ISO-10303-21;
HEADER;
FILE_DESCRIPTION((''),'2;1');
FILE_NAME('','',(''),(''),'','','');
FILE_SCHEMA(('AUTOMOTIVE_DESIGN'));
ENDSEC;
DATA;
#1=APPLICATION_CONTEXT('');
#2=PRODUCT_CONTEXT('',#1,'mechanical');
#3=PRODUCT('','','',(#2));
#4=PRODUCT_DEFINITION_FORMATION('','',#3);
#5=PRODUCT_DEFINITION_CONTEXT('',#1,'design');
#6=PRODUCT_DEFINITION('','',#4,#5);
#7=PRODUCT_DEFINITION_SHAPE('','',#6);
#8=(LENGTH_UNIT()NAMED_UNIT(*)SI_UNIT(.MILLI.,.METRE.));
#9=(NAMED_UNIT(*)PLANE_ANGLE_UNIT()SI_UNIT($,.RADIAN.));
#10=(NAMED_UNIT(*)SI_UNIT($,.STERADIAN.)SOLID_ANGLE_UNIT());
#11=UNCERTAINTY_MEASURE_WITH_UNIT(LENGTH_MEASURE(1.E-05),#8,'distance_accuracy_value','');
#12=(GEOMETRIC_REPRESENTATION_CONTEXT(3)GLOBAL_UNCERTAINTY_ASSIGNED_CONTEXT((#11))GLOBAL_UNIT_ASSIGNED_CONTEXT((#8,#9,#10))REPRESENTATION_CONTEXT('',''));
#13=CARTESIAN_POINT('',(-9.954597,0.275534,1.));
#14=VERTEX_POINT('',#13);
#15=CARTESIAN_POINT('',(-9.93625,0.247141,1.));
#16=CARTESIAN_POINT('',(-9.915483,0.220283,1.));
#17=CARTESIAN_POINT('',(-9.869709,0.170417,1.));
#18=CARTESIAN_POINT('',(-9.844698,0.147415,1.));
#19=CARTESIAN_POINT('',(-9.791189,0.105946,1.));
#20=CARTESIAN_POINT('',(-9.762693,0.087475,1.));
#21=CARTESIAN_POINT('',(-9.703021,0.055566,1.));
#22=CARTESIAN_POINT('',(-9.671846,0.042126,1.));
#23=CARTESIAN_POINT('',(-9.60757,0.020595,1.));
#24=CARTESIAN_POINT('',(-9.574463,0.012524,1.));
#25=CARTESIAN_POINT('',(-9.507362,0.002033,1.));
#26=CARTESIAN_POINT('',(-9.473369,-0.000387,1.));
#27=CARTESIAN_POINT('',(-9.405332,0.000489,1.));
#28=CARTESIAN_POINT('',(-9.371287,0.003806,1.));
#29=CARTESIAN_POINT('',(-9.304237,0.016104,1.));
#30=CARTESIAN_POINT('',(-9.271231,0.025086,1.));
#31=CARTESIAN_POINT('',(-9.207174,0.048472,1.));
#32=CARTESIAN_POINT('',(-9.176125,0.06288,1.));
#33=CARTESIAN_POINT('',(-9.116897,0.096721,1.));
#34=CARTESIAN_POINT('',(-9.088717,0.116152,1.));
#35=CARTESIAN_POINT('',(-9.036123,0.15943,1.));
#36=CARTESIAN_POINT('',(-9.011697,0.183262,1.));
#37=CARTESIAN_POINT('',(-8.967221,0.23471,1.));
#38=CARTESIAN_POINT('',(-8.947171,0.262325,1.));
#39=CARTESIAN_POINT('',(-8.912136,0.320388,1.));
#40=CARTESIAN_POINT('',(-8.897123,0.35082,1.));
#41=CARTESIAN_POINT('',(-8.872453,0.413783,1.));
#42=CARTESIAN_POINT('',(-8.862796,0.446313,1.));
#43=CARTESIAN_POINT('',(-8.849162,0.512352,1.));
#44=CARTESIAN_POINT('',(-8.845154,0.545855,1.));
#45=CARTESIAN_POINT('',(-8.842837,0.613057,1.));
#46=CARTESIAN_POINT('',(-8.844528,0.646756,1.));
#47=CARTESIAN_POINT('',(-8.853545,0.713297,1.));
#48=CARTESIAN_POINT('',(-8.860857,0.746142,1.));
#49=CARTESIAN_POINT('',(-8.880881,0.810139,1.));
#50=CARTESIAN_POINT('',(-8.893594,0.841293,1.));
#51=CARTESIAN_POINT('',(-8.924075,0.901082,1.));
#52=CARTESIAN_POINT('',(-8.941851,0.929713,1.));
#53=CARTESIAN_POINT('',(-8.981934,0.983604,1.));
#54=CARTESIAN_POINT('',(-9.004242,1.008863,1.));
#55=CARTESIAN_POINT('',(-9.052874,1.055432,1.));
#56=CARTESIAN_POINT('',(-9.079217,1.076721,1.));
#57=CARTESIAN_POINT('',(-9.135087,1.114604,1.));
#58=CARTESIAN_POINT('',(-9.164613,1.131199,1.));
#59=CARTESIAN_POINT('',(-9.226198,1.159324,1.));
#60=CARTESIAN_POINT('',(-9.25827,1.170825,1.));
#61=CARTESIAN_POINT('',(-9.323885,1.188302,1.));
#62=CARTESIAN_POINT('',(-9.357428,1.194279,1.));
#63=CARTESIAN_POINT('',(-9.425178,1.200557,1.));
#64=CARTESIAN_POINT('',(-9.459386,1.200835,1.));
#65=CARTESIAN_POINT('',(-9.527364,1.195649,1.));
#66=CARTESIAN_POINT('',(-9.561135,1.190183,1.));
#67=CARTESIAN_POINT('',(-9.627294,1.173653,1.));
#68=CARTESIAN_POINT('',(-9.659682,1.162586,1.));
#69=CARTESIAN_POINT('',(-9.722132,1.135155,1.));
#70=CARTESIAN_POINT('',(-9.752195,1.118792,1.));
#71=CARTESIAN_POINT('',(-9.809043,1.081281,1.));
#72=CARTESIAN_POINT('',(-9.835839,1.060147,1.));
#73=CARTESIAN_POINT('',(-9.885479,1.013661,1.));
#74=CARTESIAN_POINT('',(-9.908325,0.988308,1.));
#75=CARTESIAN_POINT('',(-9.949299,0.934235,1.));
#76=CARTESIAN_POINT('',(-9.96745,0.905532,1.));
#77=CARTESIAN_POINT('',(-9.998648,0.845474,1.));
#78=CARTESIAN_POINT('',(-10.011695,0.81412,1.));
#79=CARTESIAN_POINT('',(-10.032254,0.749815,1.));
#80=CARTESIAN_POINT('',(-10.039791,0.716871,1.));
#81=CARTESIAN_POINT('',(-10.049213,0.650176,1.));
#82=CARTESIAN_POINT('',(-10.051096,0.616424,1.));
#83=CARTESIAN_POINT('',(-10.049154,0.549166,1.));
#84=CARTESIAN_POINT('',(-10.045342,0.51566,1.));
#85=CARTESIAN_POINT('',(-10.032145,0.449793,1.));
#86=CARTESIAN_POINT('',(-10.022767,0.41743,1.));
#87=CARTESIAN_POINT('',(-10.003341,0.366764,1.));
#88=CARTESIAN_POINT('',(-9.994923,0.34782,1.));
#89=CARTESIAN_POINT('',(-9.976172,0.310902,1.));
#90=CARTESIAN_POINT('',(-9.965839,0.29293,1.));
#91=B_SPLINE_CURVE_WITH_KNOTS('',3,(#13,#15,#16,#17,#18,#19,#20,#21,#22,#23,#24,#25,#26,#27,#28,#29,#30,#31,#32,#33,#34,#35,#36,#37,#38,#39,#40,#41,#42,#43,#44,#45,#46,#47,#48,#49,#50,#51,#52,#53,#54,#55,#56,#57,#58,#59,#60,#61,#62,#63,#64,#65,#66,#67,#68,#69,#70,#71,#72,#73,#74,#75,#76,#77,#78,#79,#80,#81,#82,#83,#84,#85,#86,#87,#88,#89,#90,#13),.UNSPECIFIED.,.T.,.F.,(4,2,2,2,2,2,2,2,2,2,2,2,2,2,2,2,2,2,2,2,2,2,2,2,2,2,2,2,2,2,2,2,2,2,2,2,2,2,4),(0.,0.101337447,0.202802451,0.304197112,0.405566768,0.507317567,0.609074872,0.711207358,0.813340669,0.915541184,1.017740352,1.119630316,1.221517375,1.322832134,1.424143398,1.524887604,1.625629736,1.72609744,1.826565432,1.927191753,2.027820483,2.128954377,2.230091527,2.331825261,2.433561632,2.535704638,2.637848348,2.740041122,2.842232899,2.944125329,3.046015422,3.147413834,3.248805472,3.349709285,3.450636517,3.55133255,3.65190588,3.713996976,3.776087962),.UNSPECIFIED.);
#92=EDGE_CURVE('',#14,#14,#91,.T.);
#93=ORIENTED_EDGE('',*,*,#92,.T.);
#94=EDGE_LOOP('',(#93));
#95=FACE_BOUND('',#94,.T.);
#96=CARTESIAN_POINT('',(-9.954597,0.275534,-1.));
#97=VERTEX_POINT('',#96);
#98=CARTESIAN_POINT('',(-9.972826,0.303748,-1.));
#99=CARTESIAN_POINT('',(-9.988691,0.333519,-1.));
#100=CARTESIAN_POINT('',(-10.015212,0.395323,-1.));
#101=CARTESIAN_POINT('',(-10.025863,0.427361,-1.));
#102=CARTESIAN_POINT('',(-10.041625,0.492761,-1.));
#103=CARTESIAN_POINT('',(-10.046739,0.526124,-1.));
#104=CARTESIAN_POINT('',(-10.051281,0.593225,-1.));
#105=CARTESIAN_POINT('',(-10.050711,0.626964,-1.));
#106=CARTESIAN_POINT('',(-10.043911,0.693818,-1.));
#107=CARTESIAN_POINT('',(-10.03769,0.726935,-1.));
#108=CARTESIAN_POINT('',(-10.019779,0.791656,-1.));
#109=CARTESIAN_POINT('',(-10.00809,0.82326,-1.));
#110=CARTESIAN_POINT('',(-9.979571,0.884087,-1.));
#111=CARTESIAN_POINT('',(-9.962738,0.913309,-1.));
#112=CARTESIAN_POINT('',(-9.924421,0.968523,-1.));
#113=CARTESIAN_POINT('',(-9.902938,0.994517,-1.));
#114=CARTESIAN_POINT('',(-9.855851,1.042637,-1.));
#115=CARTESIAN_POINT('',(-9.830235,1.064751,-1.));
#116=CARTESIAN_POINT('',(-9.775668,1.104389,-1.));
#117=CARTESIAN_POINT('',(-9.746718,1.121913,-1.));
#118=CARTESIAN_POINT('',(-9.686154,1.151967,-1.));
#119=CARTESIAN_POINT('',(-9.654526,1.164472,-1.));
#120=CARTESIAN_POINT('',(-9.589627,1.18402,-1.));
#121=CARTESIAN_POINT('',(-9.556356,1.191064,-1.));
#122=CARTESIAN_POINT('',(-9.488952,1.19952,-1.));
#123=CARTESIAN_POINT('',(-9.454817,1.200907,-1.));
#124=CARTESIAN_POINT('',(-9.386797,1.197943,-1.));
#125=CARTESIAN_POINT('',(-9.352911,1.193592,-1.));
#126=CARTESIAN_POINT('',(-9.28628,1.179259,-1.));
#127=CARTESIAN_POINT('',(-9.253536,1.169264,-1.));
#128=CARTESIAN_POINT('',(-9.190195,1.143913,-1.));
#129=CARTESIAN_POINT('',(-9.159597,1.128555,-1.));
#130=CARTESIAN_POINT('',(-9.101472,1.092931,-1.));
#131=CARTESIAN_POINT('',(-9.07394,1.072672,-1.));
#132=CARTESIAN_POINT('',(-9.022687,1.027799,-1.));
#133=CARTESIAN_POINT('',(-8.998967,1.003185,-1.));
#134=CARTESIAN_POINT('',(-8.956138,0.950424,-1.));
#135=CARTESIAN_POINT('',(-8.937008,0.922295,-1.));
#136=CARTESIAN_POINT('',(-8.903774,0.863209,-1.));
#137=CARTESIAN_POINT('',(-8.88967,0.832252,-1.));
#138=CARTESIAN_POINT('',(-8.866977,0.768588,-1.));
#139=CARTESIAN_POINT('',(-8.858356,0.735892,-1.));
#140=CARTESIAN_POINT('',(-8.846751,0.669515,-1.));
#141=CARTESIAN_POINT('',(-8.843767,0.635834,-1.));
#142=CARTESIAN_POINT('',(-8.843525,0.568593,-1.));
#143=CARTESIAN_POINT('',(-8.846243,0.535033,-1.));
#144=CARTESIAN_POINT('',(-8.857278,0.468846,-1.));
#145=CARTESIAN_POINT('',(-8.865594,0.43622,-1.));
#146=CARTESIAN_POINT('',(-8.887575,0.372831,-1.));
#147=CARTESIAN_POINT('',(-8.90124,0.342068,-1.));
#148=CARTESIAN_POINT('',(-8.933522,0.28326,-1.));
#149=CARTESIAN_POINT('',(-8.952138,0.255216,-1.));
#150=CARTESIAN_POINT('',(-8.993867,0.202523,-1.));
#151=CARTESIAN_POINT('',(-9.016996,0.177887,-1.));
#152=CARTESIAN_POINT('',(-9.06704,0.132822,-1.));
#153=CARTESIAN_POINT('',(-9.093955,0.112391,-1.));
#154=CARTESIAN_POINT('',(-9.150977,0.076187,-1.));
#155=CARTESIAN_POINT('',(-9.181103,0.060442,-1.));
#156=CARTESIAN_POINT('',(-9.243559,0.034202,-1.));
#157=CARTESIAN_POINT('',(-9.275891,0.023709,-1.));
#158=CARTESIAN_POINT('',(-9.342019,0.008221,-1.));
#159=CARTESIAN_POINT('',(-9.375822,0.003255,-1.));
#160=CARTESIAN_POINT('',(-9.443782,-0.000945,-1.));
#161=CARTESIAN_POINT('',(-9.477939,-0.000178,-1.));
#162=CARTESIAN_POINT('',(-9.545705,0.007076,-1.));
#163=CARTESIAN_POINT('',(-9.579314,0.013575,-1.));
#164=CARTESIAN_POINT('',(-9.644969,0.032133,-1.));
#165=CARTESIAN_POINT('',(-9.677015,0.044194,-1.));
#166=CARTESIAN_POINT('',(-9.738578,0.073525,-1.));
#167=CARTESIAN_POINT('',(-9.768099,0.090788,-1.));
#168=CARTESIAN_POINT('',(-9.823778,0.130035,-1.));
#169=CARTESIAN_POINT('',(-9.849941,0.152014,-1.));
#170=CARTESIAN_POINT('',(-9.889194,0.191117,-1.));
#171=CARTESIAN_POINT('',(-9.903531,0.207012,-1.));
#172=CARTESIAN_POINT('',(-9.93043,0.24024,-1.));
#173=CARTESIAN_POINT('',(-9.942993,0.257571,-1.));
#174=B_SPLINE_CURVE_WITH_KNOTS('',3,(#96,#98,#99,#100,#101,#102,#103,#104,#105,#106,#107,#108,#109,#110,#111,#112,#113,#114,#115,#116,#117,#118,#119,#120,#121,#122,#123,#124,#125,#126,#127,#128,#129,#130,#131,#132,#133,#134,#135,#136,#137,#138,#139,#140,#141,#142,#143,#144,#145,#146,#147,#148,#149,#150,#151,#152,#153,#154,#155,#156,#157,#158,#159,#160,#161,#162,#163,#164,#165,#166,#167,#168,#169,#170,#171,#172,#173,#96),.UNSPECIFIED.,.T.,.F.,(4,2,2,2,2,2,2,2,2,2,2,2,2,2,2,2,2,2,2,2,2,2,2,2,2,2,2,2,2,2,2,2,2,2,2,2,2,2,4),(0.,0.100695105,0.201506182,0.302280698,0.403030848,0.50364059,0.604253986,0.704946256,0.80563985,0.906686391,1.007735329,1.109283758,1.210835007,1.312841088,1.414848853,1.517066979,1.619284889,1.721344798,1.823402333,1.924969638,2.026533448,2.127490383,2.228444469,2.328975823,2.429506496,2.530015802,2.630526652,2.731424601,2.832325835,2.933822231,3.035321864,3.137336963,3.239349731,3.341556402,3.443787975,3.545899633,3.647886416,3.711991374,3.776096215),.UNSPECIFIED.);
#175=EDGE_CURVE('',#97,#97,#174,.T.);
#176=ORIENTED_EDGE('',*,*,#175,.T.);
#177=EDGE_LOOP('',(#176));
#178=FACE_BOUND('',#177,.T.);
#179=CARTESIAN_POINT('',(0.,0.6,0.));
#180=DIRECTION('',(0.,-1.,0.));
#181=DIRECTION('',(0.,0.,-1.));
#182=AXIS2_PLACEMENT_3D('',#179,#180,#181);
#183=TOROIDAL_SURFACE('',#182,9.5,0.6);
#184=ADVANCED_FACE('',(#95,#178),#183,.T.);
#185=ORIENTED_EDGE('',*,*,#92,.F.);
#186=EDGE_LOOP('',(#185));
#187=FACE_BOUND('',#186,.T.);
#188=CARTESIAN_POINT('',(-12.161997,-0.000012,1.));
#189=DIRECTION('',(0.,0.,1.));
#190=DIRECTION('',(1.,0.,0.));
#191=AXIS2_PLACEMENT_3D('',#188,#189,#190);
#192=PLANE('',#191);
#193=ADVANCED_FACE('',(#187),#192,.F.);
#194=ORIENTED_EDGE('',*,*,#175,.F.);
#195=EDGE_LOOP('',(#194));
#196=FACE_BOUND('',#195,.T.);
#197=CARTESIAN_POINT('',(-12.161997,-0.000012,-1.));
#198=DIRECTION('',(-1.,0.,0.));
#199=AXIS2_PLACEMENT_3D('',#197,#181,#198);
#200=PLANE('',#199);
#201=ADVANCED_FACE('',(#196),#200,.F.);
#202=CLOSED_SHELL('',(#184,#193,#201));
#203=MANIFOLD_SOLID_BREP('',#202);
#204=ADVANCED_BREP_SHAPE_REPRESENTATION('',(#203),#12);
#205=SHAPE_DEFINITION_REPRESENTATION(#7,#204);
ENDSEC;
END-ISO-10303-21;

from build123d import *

# Parameters (mm, degrees)
SKETCH_1_R               = 0.6
CUT_EXTRUDE_1_DEPTH      = 15.333876108
CUT_EXTRUDE_1_DEPTH_BACK = 15.333876108
SKETCH_2_W               = 4.994748993
SKETCH_2_H               = 2


with BuildPart() as part:
    # Эскиз1 → Повернуть1 (revolve)
    with BuildSketch(Plane.XY, mode=Mode.PRIVATE) as revolve_1_sk:
        with Locations((-9.5, 0.6)):
            Circle(SKETCH_1_R)
    revolve(revolve_1_sk.sketch.rotate(Axis((0, 0, 0), (0, 1, 0)), 270), axis=Axis((0, 0, 0), (0, 1, 0)))

    # Эскиз2 → Вырез-Вытянуть1 (cut, two sides: drawn at the far end of the back side and taken through both)
    with BuildSketch(Plane(origin=(0, 0, 0), x_dir=(1, 0, 0), z_dir=(0, 1, 0)).offset(-CUT_EXTRUDE_1_DEPTH_BACK)):
        with Locations((-9.664623001, 0)):
            Rectangle(SKETCH_2_W, SKETCH_2_H)
    extrude(amount=CUT_EXTRUDE_1_DEPTH + CUT_EXTRUDE_1_DEPTH_BACK, mode=Mode.SUBTRACT)


solid = part.part
